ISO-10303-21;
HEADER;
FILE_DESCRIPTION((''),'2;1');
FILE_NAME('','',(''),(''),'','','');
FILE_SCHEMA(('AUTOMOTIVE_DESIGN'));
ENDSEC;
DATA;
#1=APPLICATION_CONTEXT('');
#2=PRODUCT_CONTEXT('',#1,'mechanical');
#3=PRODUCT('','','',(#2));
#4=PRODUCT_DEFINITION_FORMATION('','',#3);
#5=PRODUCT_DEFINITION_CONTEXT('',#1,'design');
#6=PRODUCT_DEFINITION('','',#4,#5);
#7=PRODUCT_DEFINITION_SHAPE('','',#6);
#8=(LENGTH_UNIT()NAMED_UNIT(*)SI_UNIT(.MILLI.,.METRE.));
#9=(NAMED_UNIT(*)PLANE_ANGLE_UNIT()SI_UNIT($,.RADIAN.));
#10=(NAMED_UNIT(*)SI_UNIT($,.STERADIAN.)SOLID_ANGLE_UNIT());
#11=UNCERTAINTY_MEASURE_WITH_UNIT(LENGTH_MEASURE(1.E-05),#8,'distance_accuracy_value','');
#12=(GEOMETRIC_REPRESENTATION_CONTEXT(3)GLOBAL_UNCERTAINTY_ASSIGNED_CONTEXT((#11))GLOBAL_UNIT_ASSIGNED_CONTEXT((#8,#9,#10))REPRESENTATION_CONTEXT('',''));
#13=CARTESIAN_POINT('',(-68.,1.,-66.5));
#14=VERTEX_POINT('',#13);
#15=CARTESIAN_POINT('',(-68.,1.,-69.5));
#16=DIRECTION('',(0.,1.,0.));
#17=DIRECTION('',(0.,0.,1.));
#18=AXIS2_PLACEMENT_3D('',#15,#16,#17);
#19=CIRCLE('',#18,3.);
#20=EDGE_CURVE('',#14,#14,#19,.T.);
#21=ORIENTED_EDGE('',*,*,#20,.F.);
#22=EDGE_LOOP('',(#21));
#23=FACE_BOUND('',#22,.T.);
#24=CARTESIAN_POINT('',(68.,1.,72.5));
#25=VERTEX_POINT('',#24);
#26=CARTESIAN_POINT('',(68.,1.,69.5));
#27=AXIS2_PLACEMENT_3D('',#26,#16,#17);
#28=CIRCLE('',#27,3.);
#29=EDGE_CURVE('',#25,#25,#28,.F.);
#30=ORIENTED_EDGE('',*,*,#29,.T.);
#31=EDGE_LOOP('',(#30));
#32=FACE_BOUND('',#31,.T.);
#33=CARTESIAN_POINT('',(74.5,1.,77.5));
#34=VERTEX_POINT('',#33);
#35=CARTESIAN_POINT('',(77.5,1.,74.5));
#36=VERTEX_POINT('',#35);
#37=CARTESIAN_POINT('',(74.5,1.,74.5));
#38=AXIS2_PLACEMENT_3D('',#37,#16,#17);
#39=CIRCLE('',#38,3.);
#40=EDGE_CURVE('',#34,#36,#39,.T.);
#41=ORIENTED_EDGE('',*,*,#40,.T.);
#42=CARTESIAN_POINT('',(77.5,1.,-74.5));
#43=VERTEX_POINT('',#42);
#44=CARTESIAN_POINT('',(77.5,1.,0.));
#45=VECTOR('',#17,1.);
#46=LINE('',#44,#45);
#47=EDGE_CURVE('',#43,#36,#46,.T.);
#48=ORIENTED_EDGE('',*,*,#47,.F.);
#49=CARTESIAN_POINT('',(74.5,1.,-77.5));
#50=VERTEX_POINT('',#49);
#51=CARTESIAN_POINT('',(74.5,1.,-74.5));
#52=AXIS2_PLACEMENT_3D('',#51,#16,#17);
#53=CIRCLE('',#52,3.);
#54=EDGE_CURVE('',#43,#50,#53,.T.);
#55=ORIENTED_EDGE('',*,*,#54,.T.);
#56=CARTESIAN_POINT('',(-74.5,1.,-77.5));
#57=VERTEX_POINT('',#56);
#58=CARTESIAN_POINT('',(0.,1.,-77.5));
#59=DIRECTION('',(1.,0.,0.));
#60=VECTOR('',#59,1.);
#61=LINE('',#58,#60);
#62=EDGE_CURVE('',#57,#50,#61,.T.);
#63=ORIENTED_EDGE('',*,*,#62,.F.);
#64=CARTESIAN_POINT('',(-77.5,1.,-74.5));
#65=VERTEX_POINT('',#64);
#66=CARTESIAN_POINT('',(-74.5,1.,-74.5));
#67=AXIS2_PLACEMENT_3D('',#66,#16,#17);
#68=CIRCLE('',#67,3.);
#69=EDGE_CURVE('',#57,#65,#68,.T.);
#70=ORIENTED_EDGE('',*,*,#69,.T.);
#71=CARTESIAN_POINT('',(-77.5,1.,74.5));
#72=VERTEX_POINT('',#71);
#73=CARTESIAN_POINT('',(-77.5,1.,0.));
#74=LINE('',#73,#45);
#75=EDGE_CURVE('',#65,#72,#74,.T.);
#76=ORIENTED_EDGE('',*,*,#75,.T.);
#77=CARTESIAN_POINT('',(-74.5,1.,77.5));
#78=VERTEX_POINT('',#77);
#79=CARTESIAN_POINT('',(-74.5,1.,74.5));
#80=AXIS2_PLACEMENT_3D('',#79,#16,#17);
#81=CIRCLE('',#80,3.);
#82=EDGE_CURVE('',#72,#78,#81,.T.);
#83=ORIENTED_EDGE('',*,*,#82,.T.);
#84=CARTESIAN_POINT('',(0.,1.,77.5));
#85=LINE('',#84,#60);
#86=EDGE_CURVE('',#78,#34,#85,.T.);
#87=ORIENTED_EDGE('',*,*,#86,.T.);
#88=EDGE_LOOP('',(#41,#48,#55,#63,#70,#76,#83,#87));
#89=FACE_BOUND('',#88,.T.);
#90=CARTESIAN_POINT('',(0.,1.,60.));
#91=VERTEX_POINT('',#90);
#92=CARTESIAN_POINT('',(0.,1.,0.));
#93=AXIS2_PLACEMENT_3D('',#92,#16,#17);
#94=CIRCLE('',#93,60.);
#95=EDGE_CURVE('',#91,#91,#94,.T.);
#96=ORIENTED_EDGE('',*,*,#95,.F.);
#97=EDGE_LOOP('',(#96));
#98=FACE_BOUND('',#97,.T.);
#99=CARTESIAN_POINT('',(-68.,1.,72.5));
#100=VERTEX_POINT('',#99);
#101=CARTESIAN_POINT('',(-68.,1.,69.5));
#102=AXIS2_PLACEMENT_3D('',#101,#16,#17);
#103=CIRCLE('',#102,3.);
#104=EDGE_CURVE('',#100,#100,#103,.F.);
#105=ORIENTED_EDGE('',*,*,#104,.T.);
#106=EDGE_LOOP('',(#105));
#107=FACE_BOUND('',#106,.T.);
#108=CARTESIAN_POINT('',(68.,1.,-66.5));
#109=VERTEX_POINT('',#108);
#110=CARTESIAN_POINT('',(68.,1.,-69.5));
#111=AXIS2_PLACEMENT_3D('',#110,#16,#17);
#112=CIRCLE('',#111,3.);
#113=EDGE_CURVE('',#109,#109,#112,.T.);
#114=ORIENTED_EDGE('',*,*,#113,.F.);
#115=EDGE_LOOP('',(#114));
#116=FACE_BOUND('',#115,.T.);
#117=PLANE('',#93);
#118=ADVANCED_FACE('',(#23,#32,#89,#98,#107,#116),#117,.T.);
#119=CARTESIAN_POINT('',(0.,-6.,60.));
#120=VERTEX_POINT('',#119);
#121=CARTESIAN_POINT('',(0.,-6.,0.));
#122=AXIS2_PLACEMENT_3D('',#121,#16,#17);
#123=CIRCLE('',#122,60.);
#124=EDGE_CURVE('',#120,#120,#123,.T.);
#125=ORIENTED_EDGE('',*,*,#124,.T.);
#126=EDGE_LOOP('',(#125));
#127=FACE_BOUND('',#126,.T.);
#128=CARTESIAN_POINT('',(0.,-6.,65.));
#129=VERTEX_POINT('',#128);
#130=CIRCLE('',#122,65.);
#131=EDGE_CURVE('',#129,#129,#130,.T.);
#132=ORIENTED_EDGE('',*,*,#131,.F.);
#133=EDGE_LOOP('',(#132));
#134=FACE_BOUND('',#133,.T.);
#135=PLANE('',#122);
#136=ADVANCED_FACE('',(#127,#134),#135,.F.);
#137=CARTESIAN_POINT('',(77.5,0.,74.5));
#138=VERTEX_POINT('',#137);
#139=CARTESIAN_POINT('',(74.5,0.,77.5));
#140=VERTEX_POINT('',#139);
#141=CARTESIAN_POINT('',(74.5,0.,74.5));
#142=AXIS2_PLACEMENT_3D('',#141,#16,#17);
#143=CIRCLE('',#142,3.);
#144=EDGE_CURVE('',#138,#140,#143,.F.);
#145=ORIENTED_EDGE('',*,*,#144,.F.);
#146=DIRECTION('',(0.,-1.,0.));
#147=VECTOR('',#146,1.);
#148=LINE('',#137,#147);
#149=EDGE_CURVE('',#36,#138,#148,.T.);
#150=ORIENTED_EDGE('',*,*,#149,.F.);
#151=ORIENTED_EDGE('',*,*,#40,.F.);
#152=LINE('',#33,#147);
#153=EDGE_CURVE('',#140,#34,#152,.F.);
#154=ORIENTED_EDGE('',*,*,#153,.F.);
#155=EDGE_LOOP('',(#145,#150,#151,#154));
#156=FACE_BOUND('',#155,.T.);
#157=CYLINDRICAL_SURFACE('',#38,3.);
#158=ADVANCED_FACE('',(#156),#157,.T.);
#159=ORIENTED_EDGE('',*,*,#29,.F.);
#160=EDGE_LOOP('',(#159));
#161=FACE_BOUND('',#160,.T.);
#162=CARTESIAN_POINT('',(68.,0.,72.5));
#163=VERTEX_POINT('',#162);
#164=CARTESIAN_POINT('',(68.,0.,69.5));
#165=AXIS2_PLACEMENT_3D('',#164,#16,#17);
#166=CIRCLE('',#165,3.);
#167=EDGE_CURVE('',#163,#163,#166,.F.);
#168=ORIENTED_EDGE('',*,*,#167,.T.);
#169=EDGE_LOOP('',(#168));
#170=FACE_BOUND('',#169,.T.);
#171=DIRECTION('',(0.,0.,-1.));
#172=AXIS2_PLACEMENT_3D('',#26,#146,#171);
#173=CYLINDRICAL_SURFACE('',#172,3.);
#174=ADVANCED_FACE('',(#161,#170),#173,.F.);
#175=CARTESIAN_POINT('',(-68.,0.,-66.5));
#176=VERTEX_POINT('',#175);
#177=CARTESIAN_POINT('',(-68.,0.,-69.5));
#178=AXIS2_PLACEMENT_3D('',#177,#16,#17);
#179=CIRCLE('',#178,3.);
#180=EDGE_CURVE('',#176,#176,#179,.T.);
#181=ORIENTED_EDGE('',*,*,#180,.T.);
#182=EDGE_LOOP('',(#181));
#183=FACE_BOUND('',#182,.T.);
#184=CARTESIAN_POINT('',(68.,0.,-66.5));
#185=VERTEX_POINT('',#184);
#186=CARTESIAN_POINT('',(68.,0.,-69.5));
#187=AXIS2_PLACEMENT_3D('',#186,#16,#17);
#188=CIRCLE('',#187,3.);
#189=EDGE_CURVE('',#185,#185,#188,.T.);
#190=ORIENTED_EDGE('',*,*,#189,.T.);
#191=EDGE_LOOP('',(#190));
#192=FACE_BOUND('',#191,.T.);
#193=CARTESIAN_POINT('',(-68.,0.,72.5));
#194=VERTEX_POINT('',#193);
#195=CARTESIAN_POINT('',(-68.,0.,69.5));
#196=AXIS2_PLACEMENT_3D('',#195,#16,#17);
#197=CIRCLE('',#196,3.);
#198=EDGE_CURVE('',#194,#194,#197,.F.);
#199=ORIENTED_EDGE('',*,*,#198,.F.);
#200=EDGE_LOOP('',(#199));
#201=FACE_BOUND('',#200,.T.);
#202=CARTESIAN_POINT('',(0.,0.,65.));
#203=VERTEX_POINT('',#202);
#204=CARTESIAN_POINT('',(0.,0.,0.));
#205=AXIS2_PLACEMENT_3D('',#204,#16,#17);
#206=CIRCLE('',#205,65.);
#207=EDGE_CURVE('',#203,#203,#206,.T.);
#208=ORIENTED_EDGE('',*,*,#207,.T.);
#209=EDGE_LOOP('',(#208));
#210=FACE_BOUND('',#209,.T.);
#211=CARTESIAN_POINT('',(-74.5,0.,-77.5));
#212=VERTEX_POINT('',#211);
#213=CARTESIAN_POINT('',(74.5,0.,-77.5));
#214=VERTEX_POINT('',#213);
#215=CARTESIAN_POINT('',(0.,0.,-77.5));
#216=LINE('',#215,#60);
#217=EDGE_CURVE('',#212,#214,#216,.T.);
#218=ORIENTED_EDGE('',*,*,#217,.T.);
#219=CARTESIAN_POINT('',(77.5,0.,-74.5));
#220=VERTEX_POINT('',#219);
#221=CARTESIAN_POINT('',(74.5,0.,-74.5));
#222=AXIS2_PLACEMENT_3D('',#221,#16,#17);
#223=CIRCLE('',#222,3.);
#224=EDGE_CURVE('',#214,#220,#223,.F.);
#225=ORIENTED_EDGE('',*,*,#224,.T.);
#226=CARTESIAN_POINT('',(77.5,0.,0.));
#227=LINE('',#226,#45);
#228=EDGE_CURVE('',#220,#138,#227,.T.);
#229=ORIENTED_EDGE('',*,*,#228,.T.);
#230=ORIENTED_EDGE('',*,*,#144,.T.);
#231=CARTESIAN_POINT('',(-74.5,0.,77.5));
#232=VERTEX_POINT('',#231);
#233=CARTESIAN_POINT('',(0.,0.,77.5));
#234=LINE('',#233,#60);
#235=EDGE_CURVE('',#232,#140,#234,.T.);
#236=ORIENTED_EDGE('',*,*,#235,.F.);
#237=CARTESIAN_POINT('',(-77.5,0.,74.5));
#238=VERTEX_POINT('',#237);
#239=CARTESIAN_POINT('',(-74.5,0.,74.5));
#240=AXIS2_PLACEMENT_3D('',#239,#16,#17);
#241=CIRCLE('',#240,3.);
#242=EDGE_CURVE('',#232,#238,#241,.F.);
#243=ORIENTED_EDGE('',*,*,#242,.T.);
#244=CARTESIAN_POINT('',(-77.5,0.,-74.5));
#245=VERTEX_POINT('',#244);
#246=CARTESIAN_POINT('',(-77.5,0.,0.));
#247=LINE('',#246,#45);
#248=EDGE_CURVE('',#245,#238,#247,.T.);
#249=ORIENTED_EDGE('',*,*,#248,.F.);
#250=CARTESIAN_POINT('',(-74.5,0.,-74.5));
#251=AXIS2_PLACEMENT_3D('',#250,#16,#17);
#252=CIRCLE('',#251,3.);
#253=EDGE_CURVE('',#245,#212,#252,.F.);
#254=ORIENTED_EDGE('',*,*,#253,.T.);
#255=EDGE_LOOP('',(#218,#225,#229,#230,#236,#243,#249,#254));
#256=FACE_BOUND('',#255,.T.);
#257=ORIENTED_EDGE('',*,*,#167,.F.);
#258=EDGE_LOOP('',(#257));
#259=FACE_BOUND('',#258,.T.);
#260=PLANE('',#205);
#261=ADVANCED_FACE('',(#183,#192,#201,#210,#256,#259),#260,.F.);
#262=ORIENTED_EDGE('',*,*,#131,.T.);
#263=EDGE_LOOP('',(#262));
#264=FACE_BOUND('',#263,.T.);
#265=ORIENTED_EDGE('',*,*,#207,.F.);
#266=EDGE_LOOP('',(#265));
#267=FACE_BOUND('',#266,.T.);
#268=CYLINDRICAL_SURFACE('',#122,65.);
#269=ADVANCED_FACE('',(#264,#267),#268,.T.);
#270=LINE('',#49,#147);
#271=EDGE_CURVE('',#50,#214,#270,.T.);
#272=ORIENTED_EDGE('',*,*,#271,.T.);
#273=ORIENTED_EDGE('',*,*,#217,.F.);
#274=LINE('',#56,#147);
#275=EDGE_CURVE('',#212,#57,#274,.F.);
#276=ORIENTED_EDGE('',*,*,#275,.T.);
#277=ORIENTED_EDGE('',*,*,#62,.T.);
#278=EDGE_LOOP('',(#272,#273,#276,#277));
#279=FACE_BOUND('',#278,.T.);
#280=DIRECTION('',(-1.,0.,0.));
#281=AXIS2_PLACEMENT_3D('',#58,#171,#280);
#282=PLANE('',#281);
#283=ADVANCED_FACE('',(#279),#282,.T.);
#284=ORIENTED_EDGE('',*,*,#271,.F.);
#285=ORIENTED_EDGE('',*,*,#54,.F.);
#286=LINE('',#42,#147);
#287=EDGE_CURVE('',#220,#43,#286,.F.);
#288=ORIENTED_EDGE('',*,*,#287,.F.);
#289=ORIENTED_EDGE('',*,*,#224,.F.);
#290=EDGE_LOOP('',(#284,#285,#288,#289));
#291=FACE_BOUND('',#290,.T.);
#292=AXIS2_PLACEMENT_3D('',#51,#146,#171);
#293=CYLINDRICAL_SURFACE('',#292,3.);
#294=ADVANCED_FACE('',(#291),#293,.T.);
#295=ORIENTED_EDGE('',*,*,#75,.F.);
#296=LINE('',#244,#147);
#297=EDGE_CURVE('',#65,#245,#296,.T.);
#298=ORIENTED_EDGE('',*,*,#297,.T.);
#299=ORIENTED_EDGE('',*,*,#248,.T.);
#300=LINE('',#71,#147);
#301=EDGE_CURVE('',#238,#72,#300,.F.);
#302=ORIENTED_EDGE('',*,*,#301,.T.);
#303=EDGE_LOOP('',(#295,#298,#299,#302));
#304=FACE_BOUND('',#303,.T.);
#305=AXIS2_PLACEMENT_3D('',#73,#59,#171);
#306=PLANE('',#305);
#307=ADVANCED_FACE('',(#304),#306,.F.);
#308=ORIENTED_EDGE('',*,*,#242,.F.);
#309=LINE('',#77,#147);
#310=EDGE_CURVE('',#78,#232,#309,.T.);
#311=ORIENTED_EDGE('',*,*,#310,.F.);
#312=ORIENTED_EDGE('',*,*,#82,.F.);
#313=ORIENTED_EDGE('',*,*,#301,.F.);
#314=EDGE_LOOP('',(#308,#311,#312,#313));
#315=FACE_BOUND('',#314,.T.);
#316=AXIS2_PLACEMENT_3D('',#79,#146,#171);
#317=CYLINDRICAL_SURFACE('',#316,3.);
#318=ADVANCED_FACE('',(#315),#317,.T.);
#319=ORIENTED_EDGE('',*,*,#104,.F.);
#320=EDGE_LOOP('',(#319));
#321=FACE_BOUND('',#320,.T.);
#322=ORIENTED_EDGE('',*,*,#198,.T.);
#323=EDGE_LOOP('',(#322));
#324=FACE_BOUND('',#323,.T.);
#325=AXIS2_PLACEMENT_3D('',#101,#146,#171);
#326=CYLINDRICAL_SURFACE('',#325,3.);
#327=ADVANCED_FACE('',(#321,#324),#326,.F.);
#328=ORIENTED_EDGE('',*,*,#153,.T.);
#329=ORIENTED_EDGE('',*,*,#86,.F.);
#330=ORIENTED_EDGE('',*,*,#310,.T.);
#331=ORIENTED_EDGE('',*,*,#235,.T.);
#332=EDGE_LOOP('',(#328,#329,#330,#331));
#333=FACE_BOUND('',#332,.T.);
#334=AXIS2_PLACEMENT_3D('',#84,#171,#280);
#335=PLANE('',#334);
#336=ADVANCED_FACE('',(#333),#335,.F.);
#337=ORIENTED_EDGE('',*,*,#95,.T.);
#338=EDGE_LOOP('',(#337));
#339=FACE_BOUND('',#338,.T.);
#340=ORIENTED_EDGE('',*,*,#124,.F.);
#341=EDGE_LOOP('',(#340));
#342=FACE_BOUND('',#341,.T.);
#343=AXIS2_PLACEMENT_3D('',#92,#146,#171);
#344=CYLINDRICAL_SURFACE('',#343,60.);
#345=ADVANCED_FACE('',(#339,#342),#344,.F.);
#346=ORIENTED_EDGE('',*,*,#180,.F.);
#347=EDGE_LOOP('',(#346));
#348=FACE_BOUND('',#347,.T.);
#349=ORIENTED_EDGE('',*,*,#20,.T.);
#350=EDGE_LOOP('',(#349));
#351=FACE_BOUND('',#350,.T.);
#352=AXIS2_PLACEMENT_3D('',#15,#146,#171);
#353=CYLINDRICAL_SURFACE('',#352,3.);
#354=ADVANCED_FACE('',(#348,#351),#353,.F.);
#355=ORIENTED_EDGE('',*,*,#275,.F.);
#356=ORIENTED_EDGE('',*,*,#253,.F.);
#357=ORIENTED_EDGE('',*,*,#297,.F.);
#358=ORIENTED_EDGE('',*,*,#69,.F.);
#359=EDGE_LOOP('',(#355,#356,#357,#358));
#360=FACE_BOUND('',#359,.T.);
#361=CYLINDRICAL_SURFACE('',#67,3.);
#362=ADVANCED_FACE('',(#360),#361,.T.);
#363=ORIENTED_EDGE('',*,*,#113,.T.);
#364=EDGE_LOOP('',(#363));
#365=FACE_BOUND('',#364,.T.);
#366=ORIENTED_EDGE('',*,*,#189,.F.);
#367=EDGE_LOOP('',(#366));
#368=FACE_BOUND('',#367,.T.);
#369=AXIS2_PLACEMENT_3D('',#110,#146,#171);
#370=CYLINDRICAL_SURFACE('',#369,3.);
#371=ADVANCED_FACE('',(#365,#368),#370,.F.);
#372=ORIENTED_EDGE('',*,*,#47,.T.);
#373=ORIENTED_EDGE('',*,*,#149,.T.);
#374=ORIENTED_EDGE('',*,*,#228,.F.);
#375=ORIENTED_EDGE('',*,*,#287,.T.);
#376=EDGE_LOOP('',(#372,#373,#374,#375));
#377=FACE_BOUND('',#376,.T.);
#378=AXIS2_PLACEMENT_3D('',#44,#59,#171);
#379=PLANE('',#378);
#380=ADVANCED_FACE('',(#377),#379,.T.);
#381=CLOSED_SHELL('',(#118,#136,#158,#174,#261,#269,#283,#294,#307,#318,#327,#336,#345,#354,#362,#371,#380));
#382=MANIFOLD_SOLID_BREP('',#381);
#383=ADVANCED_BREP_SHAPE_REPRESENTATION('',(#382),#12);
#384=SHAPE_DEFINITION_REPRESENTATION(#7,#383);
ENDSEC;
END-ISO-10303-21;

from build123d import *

# Parameters (mm, degrees)
SKETCH1_W           = 155
SKETCH1_H           = 155
SKETCH1_R           = 3
SKETCH1_R_2         = 60
BOSS_EXTRUDE1_DEPTH = 1
FILLET1_R           = 3
SKETCH2_R           = 65
SKETCH2_R_2         = 60
BOSS_EXTRUDE2_DEPTH = 7


with BuildPart() as part:
    # Sketch1 → Boss-Extrude1 (new body)
    with BuildSketch(Plane(origin=(0, 0, 0), x_dir=(1, 0, 0), z_dir=(0, 1, 0))):
        Rectangle(SKETCH1_W, SKETCH1_H)
        with Locations((-68, 69.5)):
            Circle(SKETCH1_R, mode=Mode.SUBTRACT)
        with Locations((68, 69.5)):
            Circle(SKETCH1_R, mode=Mode.SUBTRACT)
        with Locations((-68, -69.5)):
            Circle(SKETCH1_R, mode=Mode.SUBTRACT)
        with Locations((68, -69.5)):
            Circle(SKETCH1_R, mode=Mode.SUBTRACT)
        Circle(SKETCH1_R_2, mode=Mode.SUBTRACT)
    extrude(amount=BOSS_EXTRUDE1_DEPTH)

    # Fillet1
    fillet1_edges = [part.edges().sort_by_distance(p)[0] for p in [
        (77.5, 0.5, 77.5),
        (-77.5, 0.5, 77.5),
        (-77.5, 0.5, -77.5),
        (77.5, 0.5, -77.5),
    ]]
    fillet(fillet1_edges, radius=FILLET1_R)

    # Sketch2 → Boss-Extrude2 (add)
    with BuildSketch(Plane(origin=(0, 1, 0), x_dir=(1, 0, 0), z_dir=(0, 1, 0))):
        Circle(SKETCH2_R)
        Circle(SKETCH2_R_2, mode=Mode.SUBTRACT)
    extrude(amount=-BOSS_EXTRUDE2_DEPTH)


solid = part.part
